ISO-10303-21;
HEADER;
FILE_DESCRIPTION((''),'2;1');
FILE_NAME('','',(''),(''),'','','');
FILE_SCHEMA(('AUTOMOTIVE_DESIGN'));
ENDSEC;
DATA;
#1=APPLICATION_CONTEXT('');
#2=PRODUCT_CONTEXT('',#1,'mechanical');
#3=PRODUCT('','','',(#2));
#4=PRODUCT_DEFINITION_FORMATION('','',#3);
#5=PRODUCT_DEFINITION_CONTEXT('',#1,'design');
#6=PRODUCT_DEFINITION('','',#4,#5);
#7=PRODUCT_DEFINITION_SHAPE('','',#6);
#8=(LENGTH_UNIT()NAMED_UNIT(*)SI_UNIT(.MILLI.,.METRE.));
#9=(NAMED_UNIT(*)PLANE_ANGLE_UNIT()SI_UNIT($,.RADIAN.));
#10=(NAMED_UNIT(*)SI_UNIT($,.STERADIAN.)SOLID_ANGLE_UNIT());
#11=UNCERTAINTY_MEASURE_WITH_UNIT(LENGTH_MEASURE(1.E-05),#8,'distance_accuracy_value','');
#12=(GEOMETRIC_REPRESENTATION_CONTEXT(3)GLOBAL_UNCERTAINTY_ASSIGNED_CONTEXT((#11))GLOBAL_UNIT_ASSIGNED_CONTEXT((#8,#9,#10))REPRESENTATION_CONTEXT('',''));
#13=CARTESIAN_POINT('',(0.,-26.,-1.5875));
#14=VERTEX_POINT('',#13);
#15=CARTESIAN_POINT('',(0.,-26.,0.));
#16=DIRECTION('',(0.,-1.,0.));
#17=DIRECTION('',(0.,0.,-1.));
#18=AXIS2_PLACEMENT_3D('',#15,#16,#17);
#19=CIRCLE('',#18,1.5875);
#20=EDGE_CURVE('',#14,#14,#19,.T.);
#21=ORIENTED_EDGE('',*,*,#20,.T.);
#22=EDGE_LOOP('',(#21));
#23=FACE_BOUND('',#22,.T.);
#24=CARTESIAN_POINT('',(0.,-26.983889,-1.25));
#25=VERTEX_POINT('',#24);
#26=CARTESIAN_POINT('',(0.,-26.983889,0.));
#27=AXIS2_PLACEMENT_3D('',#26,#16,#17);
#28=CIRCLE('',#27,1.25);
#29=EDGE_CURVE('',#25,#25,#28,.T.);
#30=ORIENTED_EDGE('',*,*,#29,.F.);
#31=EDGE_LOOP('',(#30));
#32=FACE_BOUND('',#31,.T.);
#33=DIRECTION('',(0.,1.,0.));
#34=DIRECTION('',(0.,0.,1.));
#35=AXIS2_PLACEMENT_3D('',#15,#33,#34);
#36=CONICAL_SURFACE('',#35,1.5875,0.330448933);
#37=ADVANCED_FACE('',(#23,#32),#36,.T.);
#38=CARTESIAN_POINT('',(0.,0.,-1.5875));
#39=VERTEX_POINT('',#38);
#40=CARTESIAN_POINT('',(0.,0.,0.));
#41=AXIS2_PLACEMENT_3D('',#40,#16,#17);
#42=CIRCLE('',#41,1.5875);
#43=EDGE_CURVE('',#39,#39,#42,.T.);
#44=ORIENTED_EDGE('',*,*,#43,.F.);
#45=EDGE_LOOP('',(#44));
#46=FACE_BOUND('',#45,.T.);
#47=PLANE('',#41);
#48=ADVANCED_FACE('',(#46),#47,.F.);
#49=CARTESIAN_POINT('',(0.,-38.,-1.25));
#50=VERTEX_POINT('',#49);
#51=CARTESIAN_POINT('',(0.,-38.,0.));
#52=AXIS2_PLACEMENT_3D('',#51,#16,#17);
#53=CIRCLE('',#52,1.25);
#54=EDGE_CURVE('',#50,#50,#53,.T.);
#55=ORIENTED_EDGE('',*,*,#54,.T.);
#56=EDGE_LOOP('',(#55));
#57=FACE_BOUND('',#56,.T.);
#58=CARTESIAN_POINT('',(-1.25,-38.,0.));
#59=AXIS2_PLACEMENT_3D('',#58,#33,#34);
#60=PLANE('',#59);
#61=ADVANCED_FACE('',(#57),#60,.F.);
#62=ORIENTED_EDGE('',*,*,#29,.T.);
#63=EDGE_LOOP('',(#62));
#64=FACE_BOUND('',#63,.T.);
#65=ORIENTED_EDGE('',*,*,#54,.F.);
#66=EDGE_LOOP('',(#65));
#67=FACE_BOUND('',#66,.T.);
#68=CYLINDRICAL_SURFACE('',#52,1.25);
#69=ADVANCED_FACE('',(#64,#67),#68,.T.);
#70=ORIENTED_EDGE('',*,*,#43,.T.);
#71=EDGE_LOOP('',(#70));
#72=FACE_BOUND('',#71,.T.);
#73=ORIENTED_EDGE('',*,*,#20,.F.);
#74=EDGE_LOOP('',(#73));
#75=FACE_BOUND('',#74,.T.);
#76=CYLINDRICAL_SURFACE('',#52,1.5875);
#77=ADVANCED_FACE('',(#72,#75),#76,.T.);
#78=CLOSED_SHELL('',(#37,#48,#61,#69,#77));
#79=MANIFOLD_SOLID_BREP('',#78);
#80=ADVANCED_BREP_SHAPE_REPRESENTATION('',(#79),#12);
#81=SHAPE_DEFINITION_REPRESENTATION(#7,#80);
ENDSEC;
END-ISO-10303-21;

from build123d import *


with BuildPart() as part:
    # Sketch1 → Revolve1 (revolve)
    with BuildSketch(Plane.XY, mode=Mode.PRIVATE) as revolve1_sk:
        Polygon((0, 0), (-1.5875, 0), (-1.5875, -26), (-1.25, -26.983888861), (-1.25, -38), (0, -38), align=None)
    revolve(revolve1_sk.sketch.rotate(Axis((0, -38, 0), (0, 1, 0)), 270), axis=Axis((0, -38, 0), (0, 1, 0)))


solid = part.part
